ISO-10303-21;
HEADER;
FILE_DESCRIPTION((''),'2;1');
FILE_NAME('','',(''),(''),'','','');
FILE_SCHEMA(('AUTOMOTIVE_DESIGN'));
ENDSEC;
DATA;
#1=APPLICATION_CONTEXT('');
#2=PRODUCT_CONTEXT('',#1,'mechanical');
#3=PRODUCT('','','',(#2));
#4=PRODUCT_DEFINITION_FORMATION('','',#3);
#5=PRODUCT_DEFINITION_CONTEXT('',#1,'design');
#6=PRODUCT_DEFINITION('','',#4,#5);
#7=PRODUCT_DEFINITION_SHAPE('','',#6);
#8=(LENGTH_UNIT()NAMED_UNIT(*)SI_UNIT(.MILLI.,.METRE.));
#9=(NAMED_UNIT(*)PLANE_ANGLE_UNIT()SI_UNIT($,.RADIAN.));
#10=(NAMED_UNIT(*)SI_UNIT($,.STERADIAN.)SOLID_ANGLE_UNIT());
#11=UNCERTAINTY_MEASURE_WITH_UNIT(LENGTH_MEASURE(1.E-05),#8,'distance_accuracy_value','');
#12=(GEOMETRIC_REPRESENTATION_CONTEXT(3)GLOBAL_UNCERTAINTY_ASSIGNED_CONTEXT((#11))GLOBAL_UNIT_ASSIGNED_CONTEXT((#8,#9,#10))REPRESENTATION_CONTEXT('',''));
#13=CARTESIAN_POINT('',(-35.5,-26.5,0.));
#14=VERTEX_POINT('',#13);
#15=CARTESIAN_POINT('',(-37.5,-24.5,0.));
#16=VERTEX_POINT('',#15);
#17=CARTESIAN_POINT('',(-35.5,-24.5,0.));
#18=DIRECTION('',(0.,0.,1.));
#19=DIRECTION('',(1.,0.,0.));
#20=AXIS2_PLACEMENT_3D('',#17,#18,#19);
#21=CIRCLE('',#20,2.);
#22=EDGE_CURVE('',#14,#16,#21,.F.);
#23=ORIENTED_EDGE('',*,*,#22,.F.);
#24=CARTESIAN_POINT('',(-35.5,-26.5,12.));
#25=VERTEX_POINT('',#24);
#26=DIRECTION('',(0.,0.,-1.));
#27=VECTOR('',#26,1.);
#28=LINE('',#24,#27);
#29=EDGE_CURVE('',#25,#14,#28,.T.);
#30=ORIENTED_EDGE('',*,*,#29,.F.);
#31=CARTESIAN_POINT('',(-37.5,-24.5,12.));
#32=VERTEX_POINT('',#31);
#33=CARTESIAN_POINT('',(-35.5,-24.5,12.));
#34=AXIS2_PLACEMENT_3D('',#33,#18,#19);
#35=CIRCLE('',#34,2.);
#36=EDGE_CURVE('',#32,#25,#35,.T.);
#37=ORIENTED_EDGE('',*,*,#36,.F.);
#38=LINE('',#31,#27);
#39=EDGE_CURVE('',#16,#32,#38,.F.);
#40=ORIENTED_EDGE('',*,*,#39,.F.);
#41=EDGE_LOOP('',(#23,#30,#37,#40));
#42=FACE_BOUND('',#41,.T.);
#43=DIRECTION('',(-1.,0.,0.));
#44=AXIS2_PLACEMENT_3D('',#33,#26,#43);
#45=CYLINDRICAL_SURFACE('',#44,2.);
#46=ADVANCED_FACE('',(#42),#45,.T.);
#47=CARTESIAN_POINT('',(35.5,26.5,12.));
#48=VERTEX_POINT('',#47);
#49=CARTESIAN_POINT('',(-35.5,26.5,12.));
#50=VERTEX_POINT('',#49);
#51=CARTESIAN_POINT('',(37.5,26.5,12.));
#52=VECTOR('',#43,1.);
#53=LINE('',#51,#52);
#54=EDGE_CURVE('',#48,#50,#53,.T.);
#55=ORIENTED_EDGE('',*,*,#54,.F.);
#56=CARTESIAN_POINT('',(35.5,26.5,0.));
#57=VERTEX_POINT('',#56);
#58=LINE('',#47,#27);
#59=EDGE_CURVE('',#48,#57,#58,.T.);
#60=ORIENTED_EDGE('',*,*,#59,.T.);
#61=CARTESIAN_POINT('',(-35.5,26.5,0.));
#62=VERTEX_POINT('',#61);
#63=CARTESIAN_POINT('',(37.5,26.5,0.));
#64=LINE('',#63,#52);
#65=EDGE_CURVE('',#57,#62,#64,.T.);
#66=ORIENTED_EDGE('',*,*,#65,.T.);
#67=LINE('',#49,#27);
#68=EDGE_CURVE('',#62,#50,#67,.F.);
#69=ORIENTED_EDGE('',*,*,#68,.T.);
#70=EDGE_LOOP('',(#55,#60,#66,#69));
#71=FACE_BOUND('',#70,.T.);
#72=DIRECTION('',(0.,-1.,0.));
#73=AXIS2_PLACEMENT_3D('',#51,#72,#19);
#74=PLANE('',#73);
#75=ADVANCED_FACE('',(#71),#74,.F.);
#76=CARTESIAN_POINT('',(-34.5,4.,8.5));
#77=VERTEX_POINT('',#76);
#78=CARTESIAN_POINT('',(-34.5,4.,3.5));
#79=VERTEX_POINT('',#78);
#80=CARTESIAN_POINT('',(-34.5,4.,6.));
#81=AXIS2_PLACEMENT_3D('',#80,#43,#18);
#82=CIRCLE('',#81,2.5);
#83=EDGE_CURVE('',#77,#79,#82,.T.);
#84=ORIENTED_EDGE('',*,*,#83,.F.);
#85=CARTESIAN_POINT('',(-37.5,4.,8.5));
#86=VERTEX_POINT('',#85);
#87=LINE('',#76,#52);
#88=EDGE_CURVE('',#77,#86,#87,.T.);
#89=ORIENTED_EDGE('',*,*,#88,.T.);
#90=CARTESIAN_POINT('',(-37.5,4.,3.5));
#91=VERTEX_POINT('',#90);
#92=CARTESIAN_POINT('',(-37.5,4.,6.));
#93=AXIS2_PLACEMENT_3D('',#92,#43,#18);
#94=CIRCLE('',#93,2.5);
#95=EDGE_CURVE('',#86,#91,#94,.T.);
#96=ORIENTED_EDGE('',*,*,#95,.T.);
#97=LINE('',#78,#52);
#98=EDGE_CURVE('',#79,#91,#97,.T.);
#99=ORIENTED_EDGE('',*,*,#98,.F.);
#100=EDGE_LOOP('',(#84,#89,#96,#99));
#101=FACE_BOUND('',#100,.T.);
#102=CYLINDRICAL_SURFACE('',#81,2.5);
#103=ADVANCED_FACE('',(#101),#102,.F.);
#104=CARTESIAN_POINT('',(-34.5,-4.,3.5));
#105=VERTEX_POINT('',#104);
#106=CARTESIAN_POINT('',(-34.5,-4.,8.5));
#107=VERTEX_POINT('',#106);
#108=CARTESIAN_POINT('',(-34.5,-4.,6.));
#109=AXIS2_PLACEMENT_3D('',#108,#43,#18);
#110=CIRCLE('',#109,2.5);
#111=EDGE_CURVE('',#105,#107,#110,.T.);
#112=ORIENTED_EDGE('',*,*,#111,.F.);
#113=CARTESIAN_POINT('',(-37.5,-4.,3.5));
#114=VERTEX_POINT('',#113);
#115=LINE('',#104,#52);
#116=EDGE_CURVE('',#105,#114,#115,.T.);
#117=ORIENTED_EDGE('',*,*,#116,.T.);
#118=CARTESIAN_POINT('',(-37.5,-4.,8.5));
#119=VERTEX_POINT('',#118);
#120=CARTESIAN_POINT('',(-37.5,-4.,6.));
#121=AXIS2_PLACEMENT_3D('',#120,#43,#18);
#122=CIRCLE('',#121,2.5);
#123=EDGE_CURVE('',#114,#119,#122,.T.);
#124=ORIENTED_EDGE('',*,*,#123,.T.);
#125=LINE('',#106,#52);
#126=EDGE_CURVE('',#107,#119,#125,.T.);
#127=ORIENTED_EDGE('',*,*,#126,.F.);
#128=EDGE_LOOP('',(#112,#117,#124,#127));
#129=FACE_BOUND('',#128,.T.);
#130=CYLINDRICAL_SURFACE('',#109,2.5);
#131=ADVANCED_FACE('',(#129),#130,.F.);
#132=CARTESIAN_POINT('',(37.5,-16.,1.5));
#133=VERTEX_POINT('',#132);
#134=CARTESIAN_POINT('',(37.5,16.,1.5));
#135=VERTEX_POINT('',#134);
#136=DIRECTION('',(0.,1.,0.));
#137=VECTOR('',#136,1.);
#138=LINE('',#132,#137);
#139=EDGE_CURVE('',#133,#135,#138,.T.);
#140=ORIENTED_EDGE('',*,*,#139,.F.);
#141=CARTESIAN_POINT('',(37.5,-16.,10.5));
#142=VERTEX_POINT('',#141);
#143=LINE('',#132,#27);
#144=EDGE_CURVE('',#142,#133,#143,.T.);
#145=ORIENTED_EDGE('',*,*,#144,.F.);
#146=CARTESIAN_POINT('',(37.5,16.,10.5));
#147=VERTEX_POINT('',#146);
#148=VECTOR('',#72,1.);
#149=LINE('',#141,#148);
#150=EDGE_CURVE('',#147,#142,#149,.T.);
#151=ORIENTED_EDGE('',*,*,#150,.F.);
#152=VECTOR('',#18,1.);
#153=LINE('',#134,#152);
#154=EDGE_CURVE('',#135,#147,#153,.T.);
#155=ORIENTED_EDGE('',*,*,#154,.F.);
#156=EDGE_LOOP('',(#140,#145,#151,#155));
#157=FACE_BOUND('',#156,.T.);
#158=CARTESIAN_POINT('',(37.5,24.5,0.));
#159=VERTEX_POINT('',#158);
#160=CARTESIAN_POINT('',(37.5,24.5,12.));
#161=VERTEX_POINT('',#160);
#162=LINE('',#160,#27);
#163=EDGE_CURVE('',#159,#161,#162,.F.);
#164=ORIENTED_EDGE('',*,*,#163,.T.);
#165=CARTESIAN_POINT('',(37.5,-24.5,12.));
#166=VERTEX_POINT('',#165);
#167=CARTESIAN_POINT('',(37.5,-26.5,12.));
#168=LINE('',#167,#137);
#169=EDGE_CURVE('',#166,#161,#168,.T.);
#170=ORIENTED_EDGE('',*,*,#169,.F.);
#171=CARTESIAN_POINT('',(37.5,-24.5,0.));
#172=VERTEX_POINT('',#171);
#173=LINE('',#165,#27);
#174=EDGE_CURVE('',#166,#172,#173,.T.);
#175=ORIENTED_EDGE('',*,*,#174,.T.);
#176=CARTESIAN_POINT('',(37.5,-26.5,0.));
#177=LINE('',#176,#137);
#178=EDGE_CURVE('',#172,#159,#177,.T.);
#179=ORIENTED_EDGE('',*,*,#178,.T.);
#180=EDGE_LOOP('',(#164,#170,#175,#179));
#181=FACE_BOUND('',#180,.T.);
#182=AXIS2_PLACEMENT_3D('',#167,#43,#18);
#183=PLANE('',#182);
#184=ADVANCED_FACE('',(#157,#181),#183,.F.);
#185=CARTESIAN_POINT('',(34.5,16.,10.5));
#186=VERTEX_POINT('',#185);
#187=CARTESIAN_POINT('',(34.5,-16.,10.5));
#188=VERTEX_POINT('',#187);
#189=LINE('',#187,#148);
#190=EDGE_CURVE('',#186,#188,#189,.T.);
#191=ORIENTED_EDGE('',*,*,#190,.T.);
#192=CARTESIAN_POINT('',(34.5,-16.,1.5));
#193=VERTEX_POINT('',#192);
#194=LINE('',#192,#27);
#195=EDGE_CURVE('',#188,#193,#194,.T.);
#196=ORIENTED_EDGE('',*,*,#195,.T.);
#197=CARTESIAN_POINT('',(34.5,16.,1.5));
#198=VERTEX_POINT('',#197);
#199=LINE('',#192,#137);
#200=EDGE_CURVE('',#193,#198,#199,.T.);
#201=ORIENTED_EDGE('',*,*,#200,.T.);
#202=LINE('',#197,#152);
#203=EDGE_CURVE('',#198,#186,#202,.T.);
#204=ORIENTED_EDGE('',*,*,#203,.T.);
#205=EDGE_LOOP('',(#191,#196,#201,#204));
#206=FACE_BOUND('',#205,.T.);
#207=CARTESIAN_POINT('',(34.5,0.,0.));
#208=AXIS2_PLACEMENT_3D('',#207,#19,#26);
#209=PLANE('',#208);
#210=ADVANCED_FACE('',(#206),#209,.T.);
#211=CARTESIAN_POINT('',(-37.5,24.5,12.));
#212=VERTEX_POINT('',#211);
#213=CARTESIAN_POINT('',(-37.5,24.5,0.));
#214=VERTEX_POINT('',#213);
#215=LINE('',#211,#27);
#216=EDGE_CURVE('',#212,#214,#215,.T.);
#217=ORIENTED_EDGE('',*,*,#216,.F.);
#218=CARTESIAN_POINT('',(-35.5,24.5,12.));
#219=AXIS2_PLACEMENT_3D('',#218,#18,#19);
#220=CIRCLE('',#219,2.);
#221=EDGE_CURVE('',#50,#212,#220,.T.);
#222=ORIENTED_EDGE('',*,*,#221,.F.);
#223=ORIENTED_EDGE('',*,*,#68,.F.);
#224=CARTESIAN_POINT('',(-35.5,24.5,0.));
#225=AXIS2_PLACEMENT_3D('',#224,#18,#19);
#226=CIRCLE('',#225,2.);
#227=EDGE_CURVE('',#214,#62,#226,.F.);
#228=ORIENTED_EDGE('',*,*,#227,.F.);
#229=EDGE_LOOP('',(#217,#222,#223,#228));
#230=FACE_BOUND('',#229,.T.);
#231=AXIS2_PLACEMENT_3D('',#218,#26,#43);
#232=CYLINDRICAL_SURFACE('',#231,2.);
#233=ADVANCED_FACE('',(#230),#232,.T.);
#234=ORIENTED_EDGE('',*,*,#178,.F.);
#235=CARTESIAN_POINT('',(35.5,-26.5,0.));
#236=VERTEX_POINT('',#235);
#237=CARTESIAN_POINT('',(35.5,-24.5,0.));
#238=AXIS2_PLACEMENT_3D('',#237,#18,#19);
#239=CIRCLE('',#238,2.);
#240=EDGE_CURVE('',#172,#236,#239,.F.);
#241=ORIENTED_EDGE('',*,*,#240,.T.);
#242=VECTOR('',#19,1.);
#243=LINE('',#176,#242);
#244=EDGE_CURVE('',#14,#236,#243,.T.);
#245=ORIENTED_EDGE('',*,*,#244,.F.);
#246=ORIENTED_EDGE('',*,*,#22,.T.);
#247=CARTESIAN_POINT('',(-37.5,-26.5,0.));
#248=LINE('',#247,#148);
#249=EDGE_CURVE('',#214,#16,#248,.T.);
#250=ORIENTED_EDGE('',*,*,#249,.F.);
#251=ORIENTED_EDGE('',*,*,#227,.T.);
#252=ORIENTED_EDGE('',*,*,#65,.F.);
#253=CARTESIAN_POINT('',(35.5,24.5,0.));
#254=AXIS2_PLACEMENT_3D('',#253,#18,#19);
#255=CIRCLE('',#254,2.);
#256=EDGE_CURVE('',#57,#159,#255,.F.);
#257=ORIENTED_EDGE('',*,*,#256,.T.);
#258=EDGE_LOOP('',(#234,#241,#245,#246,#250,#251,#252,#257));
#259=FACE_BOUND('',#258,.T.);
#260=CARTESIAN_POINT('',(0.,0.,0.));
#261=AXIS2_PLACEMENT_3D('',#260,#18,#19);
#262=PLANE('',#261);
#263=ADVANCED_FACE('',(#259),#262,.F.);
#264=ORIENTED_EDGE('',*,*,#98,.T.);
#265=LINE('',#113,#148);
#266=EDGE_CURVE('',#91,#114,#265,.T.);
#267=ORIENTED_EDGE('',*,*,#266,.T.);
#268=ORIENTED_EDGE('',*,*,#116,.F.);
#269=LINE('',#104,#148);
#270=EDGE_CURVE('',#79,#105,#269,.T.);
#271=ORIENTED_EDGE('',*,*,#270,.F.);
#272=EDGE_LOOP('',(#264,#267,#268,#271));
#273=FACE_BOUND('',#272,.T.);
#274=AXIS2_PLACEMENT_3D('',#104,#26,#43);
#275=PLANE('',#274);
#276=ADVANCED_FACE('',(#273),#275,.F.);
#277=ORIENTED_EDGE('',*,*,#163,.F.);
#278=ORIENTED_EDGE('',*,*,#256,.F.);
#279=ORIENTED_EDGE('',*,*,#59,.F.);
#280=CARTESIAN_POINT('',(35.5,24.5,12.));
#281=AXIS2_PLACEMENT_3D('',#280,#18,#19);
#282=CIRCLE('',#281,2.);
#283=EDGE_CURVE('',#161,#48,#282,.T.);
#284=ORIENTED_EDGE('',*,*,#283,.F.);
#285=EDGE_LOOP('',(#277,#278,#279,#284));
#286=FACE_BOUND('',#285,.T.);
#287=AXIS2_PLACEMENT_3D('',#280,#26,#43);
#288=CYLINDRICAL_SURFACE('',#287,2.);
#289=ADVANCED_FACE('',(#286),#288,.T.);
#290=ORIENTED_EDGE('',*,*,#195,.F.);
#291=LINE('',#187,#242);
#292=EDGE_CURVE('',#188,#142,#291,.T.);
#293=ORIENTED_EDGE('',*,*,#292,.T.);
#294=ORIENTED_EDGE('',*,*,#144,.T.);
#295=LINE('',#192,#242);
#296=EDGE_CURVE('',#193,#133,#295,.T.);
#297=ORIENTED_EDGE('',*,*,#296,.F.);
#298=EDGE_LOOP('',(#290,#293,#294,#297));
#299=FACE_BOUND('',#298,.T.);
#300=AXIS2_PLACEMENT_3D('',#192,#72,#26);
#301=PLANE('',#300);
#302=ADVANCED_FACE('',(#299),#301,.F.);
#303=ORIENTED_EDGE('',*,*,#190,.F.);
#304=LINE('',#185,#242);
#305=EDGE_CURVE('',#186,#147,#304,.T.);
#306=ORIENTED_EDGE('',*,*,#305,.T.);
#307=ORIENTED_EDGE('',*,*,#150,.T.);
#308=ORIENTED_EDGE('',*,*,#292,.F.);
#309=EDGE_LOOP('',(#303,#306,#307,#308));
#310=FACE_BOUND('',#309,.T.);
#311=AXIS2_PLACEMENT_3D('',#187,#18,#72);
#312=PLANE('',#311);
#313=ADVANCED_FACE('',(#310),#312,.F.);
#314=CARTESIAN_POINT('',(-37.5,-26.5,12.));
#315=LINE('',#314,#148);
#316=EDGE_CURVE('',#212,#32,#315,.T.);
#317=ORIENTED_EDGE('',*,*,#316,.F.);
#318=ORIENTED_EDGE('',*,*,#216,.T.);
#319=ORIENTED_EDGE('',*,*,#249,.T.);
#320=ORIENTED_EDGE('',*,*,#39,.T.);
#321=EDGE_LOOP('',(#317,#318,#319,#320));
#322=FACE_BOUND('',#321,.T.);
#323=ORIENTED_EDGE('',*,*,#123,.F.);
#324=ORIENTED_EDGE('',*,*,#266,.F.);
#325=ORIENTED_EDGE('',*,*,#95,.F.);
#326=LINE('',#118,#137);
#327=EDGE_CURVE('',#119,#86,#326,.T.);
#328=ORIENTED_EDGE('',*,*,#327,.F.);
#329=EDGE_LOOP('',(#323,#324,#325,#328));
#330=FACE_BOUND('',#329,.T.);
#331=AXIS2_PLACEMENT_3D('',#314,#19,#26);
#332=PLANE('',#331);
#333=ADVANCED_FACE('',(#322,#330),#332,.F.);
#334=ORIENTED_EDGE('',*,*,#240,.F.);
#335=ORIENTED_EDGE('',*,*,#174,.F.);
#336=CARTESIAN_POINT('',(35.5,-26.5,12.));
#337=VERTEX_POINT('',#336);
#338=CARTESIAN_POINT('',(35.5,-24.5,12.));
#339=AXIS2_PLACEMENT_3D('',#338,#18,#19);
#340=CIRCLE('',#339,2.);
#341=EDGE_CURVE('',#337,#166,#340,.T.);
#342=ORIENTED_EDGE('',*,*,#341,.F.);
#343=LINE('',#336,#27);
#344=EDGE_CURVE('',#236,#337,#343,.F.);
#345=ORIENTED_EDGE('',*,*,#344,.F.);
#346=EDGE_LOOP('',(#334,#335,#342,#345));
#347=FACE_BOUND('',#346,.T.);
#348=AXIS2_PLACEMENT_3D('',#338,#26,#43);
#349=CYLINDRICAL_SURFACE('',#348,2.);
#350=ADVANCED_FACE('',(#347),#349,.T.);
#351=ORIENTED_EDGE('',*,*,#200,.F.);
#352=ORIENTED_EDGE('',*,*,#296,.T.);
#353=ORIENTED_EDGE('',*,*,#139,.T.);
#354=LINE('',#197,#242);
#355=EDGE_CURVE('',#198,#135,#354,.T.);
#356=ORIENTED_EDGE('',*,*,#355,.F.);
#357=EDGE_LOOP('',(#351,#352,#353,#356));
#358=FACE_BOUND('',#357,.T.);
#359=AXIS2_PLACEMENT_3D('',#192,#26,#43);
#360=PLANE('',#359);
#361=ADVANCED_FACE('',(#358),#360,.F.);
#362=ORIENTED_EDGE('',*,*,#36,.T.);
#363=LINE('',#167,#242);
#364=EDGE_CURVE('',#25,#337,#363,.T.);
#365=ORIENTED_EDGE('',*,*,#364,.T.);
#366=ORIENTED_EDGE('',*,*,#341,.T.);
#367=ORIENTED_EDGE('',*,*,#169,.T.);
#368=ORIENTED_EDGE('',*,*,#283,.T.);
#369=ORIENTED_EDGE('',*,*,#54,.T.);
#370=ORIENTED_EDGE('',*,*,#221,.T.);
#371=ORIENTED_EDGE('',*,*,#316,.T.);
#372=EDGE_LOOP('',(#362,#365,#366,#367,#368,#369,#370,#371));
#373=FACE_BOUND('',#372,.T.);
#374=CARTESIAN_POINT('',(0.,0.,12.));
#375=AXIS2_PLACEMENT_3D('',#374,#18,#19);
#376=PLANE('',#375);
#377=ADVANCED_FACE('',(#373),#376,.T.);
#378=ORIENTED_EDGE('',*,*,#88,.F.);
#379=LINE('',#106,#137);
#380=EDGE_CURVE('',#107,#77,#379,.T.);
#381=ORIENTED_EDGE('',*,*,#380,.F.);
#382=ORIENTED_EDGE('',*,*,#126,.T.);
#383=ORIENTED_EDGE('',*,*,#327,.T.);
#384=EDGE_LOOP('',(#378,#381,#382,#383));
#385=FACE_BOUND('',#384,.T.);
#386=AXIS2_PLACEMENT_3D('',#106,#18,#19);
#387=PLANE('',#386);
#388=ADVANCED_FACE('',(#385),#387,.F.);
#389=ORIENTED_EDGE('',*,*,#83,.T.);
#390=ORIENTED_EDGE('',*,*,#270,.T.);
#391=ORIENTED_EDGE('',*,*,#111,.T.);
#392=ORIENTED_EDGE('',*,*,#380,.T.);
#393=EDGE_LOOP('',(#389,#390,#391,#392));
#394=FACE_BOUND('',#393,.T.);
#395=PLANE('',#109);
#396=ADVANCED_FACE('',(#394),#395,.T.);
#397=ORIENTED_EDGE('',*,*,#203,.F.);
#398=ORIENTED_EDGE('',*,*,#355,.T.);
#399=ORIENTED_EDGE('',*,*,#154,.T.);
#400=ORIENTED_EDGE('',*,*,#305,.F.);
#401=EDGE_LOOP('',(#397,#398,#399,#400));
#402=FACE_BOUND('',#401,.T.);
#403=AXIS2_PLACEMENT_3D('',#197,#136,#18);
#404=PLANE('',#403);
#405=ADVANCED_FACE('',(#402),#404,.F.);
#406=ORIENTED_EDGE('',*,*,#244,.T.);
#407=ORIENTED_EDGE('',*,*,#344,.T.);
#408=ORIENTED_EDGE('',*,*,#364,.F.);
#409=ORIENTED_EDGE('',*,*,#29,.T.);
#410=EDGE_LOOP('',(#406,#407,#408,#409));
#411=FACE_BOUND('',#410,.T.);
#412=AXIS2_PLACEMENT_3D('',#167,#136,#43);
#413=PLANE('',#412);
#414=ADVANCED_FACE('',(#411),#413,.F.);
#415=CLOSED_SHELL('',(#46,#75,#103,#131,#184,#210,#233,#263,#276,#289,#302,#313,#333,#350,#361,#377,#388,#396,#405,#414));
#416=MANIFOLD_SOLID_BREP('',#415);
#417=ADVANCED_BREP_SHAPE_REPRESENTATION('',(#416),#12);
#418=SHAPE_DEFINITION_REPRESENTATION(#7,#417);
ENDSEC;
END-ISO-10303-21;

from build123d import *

# Parameters (mm, degrees)
SKETCH_1_W          = 75
SKETCH_1_H          = 53
EXTRUDE_1_DEPTH     = 12
FILLET_1_R          = 2
SKETCH_2_W          = 9
SKETCH_2_H          = 32
CUT_EXTRUDE_1_DEPTH = 3
CUT_EXTRUDE_2_DEPTH = 3


with BuildPart() as part:
    # 草图1 → 凸台-拉伸1 (new body)
    with BuildSketch(Plane.XY):
        Rectangle(SKETCH_1_W, SKETCH_1_H)
    extrude(amount=EXTRUDE_1_DEPTH)

    # 圆角1
    fillet_1_edges = [part.edges().sort_by_distance(p)[0] for p in [
        (-37.5, 26.5, 6),
        (37.5, 26.5, 6),
        (37.5, -26.5, 6),
        (-37.5, -26.5, 6),
    ]]
    fillet(fillet_1_edges, radius=FILLET_1_R)

    # 草图2 → 切除-拉伸1 (cut)
    with BuildSketch(Plane(origin=(37.5, 0, 0), x_dir=(0, 0, -1), z_dir=(1, 0, 0))):
        with Locations((-6, 0)):
            Rectangle(SKETCH_2_W, SKETCH_2_H)
    extrude(amount=-CUT_EXTRUDE_1_DEPTH, mode=Mode.SUBTRACT)

    # 草图3 → 切除-拉伸2 (cut)
    with BuildSketch(Plane.ZY.offset(37.5)):
        with BuildLine():
            Line((3.5, -4), (3.5, 4))
            ThreePointArc((3.5, 4), (6, 6.5), (8.5, 4))
            Line((8.5, 4), (8.5, -4))
            ThreePointArc((8.5, -4), (6, -6.5), (3.5, -4))
        make_face()
    extrude(amount=-CUT_EXTRUDE_2_DEPTH, mode=Mode.SUBTRACT)


solid = part.part
